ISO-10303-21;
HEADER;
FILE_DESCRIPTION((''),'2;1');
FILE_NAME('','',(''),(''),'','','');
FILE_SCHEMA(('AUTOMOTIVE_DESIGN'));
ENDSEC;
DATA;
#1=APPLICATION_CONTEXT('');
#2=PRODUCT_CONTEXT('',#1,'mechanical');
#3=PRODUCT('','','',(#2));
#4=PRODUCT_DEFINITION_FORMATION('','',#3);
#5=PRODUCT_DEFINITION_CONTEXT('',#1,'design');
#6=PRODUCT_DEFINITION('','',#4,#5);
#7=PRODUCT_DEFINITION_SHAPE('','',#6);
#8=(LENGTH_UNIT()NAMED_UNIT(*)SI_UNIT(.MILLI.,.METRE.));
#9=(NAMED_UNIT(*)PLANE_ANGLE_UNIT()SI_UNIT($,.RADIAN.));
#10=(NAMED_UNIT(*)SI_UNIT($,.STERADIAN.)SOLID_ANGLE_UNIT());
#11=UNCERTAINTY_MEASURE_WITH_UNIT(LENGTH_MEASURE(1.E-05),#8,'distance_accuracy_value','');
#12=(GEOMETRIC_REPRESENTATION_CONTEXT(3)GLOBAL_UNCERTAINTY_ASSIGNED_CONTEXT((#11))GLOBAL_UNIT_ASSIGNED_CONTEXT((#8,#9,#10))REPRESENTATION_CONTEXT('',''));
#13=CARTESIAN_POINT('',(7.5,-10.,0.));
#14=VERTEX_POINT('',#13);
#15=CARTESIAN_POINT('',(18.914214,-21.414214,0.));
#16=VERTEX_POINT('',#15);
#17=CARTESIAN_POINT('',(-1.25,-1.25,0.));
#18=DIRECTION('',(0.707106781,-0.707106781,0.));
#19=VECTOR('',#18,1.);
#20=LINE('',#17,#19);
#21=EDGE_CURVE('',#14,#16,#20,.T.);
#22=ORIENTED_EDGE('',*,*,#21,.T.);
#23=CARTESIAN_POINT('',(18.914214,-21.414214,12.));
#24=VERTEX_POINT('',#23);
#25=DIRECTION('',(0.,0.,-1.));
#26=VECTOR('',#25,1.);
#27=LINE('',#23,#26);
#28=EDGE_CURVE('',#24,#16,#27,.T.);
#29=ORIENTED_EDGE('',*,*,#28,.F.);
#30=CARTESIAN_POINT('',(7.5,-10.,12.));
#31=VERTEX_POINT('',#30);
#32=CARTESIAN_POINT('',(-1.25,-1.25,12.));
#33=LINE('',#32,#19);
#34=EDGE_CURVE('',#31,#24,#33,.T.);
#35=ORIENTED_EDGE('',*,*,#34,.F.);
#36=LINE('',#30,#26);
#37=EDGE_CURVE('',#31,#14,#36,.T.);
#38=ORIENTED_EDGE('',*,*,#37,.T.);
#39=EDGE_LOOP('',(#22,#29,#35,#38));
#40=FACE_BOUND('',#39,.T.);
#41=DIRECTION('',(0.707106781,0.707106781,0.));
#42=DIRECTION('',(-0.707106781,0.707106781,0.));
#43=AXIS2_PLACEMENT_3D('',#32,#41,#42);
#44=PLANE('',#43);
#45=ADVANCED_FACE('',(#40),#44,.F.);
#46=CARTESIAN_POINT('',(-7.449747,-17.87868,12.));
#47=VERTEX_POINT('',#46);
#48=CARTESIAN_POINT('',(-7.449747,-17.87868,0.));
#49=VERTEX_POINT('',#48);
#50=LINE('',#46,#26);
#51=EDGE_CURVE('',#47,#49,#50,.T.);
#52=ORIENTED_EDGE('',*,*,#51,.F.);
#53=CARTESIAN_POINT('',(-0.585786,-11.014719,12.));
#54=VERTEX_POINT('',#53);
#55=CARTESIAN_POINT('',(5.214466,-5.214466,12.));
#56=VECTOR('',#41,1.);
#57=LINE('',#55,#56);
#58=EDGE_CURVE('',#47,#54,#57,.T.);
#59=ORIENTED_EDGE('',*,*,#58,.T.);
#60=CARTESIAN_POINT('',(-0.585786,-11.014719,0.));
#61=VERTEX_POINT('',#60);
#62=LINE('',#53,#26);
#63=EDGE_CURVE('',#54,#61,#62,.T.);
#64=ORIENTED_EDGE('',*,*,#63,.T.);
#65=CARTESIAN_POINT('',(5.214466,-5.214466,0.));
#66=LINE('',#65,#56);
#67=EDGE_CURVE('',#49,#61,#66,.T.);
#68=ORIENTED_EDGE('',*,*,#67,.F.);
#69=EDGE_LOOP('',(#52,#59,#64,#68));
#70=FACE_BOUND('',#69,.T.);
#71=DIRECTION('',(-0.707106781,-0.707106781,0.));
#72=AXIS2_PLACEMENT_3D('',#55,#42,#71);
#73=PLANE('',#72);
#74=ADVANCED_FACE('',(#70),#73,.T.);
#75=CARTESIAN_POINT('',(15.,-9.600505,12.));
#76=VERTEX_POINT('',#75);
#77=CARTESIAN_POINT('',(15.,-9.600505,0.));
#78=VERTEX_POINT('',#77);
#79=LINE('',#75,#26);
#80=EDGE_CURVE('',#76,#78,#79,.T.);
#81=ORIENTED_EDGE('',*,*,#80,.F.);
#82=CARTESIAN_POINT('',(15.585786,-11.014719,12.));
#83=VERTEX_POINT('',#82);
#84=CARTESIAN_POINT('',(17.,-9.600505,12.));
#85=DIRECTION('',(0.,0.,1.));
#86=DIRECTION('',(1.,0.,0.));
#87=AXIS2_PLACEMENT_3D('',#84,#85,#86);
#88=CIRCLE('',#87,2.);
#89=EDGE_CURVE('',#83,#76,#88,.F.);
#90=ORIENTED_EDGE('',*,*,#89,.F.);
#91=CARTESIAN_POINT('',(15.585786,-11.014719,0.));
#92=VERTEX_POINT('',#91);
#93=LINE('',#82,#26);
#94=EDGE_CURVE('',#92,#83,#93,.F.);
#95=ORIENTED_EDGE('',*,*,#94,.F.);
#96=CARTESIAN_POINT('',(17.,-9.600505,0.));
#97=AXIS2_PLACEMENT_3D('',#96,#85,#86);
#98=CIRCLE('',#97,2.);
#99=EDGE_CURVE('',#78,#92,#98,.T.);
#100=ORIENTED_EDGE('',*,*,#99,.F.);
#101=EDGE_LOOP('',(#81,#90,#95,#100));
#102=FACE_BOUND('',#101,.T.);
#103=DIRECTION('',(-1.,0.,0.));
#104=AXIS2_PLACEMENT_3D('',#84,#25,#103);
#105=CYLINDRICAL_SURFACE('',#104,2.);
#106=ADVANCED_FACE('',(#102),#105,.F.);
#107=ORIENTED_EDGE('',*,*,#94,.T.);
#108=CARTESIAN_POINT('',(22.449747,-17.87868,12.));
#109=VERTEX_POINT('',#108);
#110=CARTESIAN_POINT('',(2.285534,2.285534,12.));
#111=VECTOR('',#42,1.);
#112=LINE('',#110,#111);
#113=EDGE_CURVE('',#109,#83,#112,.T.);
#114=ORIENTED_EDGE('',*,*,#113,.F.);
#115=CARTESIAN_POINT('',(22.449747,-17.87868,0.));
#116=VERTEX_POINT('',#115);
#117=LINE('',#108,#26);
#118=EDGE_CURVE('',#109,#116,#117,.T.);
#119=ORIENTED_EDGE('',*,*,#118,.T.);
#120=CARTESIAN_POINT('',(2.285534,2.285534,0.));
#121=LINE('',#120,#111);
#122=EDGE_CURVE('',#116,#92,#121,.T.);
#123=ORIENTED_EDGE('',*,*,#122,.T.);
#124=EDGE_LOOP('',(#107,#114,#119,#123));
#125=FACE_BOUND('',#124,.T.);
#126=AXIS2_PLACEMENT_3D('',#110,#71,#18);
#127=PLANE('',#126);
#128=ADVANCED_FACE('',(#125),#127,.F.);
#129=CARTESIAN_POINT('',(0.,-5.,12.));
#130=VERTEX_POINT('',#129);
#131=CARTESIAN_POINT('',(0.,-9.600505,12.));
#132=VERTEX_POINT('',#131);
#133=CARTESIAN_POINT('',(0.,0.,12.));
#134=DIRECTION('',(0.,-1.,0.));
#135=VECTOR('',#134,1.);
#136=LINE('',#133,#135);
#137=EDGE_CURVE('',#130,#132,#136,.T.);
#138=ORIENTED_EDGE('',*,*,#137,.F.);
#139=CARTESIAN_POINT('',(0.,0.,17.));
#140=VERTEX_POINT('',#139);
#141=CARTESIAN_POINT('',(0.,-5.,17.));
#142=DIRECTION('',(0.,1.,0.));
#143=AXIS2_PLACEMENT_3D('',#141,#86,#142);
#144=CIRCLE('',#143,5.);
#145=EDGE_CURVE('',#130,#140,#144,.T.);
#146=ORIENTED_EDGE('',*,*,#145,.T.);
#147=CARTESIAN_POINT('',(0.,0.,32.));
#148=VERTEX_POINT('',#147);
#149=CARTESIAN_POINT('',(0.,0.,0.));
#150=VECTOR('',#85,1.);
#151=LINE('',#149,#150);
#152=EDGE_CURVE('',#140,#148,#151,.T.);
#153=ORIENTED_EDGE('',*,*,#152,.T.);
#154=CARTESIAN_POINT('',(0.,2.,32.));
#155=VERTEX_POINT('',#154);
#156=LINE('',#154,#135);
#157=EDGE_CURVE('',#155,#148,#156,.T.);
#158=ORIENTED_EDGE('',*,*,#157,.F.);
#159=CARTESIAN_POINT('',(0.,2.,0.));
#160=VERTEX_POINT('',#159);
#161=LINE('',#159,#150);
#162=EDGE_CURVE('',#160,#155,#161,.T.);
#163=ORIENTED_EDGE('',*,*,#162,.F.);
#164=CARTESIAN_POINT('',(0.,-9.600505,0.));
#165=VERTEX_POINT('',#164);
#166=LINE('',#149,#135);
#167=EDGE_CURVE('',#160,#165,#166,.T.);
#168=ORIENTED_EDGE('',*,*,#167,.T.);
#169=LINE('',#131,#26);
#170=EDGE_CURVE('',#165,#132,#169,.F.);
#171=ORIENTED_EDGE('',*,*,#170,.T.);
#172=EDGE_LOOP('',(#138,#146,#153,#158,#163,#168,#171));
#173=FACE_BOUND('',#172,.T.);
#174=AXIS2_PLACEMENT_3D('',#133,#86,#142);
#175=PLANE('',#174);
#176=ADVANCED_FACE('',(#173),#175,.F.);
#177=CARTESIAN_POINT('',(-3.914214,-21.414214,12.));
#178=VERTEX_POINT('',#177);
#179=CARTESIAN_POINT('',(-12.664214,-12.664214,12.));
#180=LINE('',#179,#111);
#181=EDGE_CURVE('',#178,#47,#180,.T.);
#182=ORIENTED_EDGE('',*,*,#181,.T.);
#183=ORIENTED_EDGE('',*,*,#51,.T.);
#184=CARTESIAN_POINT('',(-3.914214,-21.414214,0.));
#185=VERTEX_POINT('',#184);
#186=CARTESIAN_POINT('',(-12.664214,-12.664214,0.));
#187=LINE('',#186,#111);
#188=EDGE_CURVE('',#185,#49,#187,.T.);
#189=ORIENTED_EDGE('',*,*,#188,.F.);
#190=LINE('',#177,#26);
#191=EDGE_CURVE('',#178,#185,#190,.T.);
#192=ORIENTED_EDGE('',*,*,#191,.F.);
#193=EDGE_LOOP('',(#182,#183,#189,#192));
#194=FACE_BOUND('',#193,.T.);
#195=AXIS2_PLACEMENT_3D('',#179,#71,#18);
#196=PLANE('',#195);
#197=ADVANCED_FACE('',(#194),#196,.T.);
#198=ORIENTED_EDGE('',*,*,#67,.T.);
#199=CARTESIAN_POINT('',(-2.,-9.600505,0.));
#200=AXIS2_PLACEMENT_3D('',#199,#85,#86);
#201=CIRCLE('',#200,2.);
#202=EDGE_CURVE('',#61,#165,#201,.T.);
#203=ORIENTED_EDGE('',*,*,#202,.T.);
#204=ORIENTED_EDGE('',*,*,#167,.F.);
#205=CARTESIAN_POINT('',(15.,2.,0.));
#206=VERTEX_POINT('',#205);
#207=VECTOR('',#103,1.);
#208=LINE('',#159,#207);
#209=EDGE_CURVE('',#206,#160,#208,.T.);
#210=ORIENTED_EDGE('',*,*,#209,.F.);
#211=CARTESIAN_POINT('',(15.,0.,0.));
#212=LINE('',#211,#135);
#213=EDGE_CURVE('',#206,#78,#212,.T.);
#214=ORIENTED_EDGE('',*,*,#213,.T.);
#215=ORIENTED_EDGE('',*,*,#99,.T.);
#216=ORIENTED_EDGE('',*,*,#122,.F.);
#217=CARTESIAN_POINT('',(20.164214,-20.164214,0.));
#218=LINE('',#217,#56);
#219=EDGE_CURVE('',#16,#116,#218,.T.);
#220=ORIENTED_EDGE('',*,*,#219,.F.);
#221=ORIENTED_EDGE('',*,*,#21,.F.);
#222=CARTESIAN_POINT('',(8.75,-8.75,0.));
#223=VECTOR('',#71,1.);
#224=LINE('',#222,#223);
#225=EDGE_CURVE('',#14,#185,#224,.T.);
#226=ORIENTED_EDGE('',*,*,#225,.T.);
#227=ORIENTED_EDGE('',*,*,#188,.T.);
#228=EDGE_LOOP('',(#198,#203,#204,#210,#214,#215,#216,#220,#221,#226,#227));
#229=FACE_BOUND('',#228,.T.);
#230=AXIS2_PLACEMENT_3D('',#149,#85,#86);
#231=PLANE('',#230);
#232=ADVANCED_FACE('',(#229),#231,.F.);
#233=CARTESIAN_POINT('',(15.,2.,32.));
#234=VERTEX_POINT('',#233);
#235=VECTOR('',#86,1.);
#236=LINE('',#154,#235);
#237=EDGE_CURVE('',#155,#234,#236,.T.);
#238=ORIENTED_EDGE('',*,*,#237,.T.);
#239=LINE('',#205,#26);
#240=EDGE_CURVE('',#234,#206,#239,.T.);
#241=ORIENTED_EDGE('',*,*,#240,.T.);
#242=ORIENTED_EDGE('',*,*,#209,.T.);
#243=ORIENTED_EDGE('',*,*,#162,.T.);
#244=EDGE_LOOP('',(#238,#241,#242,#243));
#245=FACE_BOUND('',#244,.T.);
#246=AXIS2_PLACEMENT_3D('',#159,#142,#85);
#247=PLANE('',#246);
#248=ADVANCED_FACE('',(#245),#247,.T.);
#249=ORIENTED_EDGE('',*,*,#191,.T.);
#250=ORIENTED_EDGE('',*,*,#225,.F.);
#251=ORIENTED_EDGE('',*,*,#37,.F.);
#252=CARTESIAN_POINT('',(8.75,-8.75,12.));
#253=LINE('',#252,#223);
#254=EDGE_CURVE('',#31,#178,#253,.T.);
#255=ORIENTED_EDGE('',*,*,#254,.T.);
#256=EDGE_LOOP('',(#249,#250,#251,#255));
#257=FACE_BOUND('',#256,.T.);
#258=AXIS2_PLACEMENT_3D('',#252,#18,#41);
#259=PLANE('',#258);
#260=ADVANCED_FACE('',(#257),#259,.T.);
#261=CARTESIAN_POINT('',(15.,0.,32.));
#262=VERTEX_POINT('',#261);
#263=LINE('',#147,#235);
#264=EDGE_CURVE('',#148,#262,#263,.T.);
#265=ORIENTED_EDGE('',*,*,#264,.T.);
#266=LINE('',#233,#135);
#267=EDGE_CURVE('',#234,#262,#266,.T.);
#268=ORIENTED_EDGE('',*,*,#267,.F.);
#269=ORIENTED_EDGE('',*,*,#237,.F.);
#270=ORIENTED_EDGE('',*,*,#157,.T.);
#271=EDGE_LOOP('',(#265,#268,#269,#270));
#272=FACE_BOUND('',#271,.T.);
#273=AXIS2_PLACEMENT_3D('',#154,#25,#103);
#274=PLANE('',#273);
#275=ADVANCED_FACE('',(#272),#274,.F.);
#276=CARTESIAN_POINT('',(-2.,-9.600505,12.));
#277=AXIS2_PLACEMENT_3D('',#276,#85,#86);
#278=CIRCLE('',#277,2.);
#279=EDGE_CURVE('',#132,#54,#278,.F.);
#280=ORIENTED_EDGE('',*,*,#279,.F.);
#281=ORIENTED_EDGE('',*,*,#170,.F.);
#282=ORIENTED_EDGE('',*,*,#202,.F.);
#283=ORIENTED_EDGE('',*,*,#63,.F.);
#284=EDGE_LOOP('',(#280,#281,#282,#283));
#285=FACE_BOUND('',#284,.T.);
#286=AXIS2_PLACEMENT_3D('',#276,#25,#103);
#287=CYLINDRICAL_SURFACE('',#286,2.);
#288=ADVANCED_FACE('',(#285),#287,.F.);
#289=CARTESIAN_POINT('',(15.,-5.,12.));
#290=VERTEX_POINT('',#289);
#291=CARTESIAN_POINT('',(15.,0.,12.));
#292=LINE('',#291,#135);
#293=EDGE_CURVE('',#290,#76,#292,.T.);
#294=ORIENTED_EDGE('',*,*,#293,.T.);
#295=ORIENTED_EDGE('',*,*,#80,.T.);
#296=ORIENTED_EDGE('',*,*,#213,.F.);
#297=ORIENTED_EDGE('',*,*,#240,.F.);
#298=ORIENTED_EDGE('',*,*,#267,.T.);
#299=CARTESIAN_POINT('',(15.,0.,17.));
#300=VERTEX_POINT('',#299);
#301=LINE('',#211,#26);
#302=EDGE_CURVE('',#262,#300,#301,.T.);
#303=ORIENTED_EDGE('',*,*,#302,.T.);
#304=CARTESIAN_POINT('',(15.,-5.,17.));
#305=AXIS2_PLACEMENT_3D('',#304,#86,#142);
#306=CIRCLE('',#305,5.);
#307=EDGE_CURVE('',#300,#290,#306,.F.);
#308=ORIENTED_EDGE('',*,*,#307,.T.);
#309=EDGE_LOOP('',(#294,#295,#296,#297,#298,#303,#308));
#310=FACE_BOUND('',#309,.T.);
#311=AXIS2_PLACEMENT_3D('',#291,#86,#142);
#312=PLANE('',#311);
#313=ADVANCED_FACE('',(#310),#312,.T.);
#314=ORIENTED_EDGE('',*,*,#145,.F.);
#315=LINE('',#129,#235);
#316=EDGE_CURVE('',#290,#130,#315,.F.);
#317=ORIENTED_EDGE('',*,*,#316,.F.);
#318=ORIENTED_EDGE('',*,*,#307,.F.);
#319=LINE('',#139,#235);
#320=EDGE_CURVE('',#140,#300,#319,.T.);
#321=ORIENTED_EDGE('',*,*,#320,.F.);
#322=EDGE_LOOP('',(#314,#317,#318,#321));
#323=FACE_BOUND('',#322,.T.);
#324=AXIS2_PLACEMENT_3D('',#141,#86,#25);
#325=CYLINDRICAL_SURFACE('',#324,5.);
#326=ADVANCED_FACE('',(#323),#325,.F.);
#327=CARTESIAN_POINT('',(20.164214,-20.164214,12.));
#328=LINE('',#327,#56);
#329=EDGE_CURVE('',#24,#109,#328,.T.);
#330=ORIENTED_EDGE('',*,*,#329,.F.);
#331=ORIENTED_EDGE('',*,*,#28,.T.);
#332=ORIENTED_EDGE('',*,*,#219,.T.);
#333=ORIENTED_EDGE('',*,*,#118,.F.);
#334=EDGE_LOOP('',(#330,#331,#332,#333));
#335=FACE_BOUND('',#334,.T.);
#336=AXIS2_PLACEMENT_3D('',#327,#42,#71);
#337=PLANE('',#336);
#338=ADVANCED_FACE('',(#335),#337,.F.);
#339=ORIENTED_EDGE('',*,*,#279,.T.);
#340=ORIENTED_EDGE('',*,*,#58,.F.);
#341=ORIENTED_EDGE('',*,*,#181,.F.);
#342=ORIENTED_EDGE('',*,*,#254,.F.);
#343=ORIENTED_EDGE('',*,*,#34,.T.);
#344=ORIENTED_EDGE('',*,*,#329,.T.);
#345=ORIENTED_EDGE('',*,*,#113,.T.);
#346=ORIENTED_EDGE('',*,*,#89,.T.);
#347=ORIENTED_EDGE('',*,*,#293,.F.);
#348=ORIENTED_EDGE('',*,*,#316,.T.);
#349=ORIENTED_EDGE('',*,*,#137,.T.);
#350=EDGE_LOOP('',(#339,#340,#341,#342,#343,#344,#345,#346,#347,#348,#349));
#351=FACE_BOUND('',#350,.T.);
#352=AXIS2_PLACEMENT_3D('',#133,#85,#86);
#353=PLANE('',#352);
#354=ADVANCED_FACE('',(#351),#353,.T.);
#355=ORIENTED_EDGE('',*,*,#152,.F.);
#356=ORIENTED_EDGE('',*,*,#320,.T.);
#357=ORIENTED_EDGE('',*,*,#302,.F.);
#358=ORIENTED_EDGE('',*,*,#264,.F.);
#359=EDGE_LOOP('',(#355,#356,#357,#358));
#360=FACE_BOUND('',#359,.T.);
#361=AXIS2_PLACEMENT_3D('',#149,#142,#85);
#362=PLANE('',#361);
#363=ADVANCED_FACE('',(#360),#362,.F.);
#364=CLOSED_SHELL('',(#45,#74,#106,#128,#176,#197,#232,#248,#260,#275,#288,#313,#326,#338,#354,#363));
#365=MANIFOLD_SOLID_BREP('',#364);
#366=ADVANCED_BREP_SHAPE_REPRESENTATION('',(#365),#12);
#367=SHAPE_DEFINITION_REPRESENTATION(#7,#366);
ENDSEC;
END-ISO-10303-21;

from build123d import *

# Parameters (mm, degrees)
BOSS_EXTRU_1_DEPTH = 12
ESQUISSE3_W        = 15
ESQUISSE3_H        = 32
BOSS_EXTRU_2_DEPTH = 2
CONG_2_R           = 2
CONG_3_R           = 5


with BuildPart() as part:
    # Esquisse2 → Boss.-Extru.1 (new body)
    with BuildSketch(Plane.XY):
        Polygon((-2.5, -20), (0, -17.5), (0, -10.428932188), (-6.035533906, -16.464466094), align=None)
        Polygon((7.5, -10), (7.5, 0), (0, 0), (0, -10.428932188), (0, -17.5), align=None)
        Polygon((15, 0), (7.5, 0), (7.5, -10), (15, -17.5), (15, -10.428932188), align=None)
        Polygon((15, -10.428932188), (15, -17.5), (17.5, -20), (21.035533906, -16.464466094), align=None)
        Polygon((-3.914213562, -21.414213562), (-7.449747468, -17.878679656), (-6.035533906, -16.464466094), (-2.5, -20), align=None)
        Polygon((17.5, -20), (18.914213562, -21.414213562), (22.449747468, -17.878679656), (21.035533906, -16.464466094), align=None)
    extrude(amount=BOSS_EXTRU_1_DEPTH)

    # Esquisse3 → Boss.-Extru.2 (add)
    with BuildSketch(Plane(origin=(0, 0, 0), x_dir=(1, 0, 0), z_dir=(0, 1, 0))):
        with Locations((7.5, -16)):
            Rectangle(ESQUISSE3_W, ESQUISSE3_H)
    extrude(amount=BOSS_EXTRU_2_DEPTH)

    # Congé2
    cong_2_edges = [part.edges().sort_by_distance(p)[0] for p in [
        (0, -10.428932188, 6),
        (15, -10.428932188, 6),
    ]]
    fillet(cong_2_edges, radius=CONG_2_R)

    # Congé3
    cong_3_edges = [part.edges().sort_by_distance(p)[0] for p in [
        (7.5, 0, 12),
    ]]
    fillet(cong_3_edges, radius=CONG_3_R)


solid = part.part
